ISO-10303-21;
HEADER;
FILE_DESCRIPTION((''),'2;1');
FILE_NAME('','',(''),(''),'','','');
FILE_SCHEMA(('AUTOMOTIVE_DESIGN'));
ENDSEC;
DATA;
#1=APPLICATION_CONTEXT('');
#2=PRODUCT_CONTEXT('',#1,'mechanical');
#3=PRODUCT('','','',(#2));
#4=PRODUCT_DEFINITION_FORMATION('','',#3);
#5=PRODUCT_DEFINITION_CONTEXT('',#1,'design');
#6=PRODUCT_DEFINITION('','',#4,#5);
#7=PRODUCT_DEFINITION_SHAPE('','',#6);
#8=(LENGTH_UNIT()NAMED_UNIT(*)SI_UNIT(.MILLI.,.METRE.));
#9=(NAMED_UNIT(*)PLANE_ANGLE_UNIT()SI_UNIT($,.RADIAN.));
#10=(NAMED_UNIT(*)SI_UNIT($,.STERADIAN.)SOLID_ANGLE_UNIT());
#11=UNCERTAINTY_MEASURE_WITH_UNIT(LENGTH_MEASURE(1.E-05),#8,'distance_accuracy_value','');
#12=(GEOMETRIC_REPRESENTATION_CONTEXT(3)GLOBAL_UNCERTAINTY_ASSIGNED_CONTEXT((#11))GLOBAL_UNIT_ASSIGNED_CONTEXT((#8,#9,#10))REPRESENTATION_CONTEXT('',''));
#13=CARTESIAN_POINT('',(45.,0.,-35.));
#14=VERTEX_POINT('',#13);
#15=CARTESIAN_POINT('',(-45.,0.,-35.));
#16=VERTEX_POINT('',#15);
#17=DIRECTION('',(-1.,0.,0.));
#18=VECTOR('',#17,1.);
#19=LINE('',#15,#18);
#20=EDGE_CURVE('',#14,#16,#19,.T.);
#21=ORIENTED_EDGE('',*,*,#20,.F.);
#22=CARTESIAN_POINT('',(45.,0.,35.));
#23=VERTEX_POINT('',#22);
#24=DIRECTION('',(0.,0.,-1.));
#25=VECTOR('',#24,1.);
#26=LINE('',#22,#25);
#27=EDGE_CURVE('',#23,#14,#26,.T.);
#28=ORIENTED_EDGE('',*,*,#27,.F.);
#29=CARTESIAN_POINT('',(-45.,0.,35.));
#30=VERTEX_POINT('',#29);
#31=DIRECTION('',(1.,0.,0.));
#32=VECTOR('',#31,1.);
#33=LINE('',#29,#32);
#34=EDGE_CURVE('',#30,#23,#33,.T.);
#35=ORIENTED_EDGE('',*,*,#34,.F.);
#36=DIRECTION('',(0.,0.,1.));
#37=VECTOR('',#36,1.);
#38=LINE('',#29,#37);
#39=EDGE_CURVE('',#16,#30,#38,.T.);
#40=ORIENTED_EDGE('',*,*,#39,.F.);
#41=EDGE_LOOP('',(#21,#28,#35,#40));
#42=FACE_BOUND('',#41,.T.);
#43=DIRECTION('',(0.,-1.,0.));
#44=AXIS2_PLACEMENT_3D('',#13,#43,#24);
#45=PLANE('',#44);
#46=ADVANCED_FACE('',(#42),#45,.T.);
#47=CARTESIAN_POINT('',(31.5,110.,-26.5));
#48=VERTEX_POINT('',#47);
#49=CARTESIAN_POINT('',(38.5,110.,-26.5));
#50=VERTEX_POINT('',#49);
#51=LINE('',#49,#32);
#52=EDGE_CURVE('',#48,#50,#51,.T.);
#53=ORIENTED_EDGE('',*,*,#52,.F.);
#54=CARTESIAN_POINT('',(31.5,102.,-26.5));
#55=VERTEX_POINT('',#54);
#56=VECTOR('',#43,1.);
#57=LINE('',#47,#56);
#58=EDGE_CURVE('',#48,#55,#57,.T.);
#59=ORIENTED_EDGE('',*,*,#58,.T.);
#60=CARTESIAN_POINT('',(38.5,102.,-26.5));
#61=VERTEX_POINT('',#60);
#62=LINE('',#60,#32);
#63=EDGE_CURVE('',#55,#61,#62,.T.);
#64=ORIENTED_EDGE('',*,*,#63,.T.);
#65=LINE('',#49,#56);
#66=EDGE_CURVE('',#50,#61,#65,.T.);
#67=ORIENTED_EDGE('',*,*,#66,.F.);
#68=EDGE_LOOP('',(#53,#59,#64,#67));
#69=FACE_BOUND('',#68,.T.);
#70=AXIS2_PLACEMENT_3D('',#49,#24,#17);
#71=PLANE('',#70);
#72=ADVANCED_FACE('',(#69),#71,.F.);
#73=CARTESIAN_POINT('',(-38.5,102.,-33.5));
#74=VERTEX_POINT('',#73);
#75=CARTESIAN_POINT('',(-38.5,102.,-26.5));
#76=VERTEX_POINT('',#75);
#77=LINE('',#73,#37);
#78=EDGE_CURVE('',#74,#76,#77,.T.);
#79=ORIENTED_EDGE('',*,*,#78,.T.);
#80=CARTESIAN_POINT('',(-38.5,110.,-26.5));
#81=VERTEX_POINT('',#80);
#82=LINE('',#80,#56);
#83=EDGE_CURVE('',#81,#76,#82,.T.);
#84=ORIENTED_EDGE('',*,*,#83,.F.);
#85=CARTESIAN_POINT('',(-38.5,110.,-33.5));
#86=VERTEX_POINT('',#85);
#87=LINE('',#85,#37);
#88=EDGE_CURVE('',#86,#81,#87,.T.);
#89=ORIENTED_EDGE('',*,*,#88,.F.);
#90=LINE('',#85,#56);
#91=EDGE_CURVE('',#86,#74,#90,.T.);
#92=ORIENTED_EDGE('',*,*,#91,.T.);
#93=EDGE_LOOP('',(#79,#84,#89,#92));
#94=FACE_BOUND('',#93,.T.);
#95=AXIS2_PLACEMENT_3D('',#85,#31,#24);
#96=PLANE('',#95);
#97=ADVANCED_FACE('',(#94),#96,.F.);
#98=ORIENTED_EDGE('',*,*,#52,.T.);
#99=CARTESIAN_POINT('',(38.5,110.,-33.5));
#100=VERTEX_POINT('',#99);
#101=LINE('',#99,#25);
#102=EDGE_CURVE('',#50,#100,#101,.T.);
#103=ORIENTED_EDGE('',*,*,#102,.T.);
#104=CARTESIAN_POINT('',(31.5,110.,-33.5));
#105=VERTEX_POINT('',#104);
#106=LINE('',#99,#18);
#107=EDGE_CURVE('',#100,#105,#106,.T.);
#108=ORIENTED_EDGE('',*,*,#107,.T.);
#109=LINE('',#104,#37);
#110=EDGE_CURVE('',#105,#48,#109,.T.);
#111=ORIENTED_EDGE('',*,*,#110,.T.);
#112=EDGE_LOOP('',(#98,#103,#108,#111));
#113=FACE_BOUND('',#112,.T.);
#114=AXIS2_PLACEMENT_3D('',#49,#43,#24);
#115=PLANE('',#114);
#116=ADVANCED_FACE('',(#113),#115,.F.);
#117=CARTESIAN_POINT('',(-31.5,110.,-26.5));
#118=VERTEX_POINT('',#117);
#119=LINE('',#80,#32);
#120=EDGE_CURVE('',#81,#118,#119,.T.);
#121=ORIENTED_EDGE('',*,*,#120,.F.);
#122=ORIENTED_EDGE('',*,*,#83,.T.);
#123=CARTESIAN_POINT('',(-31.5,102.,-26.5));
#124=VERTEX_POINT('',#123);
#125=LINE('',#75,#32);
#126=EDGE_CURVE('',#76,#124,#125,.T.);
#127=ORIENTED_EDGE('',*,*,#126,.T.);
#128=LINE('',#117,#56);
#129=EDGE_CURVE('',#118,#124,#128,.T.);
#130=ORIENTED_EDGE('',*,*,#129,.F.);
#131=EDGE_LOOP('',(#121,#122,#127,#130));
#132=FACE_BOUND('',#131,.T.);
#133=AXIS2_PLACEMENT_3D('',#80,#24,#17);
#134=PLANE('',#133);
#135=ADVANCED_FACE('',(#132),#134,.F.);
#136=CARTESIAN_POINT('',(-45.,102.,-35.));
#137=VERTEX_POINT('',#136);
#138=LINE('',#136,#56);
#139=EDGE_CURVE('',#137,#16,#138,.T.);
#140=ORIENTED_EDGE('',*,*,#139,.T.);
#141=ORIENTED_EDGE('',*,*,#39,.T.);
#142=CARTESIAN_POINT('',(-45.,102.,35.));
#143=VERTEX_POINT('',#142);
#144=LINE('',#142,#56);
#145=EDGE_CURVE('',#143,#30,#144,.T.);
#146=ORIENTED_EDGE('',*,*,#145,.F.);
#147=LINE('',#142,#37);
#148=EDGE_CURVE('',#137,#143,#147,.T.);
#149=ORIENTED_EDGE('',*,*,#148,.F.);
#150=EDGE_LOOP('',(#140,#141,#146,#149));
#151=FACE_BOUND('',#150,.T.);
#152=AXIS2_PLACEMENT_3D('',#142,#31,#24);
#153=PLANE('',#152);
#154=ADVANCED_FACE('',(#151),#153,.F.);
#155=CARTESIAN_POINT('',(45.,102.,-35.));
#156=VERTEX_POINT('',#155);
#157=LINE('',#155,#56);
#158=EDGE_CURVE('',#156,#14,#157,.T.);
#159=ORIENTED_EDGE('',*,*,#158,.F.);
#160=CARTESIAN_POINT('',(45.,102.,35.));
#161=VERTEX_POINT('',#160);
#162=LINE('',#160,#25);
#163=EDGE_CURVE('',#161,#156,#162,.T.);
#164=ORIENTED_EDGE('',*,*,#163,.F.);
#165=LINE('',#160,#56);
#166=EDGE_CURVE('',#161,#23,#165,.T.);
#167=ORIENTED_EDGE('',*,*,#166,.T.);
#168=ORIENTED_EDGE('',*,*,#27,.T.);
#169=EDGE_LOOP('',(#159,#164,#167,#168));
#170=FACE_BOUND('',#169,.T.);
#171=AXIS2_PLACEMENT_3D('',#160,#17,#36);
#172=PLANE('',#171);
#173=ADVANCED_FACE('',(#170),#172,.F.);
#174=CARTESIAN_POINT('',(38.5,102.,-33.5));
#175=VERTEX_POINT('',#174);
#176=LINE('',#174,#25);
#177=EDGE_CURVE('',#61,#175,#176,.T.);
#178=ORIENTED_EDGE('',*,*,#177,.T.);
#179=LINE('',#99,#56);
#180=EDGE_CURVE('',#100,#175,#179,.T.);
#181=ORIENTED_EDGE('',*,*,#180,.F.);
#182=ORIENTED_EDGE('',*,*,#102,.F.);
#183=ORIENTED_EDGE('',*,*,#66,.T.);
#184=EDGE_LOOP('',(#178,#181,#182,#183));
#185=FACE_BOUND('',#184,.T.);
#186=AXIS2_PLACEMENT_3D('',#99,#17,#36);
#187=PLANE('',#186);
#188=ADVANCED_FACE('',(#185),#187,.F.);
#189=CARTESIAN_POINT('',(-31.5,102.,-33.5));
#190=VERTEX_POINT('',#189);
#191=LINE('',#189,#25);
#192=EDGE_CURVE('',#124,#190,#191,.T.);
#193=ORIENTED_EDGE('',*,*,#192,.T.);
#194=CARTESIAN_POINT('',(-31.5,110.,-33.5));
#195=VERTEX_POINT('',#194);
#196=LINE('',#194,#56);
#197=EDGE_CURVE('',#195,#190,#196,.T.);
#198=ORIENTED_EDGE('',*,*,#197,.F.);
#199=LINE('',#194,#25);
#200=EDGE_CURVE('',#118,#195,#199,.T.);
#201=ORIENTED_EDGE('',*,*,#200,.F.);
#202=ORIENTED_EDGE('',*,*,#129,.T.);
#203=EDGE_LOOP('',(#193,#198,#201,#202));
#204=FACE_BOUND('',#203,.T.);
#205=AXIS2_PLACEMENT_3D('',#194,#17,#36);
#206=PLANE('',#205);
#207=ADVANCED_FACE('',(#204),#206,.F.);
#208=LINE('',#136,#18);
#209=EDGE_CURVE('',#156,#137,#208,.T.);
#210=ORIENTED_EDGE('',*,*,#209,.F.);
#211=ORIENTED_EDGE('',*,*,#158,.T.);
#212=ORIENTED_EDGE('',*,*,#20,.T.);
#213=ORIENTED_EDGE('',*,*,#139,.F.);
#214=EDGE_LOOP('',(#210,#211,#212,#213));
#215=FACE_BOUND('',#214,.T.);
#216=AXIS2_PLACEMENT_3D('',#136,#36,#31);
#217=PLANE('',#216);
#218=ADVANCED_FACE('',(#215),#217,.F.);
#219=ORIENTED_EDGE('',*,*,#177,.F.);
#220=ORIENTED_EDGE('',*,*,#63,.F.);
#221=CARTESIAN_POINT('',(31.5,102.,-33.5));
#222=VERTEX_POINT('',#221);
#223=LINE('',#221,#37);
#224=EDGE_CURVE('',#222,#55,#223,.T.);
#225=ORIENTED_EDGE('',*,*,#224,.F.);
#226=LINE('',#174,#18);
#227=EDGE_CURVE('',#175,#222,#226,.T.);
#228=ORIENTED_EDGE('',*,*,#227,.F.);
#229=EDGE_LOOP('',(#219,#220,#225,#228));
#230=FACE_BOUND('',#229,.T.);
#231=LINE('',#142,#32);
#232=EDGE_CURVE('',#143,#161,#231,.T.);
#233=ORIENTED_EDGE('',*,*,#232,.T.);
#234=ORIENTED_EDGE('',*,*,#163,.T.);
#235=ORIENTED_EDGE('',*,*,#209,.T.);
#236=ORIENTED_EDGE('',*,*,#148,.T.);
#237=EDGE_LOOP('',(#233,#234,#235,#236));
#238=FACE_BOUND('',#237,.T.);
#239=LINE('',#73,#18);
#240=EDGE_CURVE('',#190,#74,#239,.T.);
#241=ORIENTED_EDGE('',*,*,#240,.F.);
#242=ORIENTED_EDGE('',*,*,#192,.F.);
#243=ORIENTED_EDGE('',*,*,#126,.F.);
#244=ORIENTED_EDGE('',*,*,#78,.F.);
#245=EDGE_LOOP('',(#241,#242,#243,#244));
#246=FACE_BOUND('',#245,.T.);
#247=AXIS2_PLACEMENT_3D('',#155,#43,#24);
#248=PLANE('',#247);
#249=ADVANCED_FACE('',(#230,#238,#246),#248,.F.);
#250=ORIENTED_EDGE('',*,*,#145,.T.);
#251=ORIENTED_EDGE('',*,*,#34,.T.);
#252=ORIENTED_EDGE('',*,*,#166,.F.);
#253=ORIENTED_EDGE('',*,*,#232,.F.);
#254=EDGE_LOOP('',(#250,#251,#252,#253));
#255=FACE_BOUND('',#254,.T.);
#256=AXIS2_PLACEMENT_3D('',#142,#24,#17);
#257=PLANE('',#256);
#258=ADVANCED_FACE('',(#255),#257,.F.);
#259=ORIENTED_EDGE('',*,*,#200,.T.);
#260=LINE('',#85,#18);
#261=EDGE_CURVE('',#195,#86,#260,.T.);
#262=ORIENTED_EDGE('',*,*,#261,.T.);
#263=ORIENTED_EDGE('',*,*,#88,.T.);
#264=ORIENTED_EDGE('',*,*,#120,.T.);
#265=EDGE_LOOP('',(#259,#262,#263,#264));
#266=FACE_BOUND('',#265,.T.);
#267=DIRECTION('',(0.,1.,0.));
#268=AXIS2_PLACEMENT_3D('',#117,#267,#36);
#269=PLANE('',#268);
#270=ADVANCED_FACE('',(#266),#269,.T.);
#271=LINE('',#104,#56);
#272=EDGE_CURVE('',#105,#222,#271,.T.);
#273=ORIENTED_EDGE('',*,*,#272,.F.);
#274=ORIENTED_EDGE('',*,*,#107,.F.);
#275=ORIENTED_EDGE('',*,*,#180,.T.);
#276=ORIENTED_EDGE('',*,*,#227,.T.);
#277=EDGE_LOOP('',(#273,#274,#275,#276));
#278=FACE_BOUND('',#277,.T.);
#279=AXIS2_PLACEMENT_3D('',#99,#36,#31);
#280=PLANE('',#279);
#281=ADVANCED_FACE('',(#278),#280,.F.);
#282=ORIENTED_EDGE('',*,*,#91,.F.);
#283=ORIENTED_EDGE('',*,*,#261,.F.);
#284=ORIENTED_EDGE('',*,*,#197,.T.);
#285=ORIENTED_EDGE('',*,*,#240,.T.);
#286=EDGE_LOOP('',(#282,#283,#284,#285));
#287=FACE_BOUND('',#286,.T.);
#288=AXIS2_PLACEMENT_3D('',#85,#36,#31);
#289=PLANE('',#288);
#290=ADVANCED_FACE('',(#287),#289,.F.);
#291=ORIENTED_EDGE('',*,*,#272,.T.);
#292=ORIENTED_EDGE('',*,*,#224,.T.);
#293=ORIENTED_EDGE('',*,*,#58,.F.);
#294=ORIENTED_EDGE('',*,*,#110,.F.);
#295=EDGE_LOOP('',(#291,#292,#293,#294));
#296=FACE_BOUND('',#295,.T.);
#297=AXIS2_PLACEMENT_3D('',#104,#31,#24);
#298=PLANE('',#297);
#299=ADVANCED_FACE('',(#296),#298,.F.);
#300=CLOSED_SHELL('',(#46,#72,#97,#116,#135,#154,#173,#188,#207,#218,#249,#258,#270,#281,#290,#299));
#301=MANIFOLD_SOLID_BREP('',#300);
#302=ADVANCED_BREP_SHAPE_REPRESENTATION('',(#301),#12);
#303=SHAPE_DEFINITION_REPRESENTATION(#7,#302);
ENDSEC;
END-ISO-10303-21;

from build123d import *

# Parameters (mm, degrees)
ESQUISSE1_W        = 90
ESQUISSE1_H        = 70
BOSS_EXTRU_1_DEPTH = 102
ESQUISSE2_W        = 7
ESQUISSE2_H        = 7
BOSS_EXTRU_2_DEPTH = 8


with BuildPart() as part:
    # Esquisse1 → Boss.-Extru.1 (new body)
    with BuildSketch(Plane(origin=(0, 0, 0), x_dir=(1, 0, 0), z_dir=(0, 1, 0))):
        Rectangle(ESQUISSE1_W, ESQUISSE1_H)
    extrude(amount=BOSS_EXTRU_1_DEPTH)

    # Esquisse2 → Boss.-Extru.2 (add)
    with BuildSketch(Plane(origin=(0, 102, 0), x_dir=(1, 0, 0), z_dir=(0, 1, 0))):
        with Locations((35, 30)):
            Rectangle(ESQUISSE2_W, ESQUISSE2_H)
        with Locations((-35, 30)):
            Rectangle(ESQUISSE2_W, ESQUISSE2_H)
    extrude(amount=BOSS_EXTRU_2_DEPTH)


solid = part.part
